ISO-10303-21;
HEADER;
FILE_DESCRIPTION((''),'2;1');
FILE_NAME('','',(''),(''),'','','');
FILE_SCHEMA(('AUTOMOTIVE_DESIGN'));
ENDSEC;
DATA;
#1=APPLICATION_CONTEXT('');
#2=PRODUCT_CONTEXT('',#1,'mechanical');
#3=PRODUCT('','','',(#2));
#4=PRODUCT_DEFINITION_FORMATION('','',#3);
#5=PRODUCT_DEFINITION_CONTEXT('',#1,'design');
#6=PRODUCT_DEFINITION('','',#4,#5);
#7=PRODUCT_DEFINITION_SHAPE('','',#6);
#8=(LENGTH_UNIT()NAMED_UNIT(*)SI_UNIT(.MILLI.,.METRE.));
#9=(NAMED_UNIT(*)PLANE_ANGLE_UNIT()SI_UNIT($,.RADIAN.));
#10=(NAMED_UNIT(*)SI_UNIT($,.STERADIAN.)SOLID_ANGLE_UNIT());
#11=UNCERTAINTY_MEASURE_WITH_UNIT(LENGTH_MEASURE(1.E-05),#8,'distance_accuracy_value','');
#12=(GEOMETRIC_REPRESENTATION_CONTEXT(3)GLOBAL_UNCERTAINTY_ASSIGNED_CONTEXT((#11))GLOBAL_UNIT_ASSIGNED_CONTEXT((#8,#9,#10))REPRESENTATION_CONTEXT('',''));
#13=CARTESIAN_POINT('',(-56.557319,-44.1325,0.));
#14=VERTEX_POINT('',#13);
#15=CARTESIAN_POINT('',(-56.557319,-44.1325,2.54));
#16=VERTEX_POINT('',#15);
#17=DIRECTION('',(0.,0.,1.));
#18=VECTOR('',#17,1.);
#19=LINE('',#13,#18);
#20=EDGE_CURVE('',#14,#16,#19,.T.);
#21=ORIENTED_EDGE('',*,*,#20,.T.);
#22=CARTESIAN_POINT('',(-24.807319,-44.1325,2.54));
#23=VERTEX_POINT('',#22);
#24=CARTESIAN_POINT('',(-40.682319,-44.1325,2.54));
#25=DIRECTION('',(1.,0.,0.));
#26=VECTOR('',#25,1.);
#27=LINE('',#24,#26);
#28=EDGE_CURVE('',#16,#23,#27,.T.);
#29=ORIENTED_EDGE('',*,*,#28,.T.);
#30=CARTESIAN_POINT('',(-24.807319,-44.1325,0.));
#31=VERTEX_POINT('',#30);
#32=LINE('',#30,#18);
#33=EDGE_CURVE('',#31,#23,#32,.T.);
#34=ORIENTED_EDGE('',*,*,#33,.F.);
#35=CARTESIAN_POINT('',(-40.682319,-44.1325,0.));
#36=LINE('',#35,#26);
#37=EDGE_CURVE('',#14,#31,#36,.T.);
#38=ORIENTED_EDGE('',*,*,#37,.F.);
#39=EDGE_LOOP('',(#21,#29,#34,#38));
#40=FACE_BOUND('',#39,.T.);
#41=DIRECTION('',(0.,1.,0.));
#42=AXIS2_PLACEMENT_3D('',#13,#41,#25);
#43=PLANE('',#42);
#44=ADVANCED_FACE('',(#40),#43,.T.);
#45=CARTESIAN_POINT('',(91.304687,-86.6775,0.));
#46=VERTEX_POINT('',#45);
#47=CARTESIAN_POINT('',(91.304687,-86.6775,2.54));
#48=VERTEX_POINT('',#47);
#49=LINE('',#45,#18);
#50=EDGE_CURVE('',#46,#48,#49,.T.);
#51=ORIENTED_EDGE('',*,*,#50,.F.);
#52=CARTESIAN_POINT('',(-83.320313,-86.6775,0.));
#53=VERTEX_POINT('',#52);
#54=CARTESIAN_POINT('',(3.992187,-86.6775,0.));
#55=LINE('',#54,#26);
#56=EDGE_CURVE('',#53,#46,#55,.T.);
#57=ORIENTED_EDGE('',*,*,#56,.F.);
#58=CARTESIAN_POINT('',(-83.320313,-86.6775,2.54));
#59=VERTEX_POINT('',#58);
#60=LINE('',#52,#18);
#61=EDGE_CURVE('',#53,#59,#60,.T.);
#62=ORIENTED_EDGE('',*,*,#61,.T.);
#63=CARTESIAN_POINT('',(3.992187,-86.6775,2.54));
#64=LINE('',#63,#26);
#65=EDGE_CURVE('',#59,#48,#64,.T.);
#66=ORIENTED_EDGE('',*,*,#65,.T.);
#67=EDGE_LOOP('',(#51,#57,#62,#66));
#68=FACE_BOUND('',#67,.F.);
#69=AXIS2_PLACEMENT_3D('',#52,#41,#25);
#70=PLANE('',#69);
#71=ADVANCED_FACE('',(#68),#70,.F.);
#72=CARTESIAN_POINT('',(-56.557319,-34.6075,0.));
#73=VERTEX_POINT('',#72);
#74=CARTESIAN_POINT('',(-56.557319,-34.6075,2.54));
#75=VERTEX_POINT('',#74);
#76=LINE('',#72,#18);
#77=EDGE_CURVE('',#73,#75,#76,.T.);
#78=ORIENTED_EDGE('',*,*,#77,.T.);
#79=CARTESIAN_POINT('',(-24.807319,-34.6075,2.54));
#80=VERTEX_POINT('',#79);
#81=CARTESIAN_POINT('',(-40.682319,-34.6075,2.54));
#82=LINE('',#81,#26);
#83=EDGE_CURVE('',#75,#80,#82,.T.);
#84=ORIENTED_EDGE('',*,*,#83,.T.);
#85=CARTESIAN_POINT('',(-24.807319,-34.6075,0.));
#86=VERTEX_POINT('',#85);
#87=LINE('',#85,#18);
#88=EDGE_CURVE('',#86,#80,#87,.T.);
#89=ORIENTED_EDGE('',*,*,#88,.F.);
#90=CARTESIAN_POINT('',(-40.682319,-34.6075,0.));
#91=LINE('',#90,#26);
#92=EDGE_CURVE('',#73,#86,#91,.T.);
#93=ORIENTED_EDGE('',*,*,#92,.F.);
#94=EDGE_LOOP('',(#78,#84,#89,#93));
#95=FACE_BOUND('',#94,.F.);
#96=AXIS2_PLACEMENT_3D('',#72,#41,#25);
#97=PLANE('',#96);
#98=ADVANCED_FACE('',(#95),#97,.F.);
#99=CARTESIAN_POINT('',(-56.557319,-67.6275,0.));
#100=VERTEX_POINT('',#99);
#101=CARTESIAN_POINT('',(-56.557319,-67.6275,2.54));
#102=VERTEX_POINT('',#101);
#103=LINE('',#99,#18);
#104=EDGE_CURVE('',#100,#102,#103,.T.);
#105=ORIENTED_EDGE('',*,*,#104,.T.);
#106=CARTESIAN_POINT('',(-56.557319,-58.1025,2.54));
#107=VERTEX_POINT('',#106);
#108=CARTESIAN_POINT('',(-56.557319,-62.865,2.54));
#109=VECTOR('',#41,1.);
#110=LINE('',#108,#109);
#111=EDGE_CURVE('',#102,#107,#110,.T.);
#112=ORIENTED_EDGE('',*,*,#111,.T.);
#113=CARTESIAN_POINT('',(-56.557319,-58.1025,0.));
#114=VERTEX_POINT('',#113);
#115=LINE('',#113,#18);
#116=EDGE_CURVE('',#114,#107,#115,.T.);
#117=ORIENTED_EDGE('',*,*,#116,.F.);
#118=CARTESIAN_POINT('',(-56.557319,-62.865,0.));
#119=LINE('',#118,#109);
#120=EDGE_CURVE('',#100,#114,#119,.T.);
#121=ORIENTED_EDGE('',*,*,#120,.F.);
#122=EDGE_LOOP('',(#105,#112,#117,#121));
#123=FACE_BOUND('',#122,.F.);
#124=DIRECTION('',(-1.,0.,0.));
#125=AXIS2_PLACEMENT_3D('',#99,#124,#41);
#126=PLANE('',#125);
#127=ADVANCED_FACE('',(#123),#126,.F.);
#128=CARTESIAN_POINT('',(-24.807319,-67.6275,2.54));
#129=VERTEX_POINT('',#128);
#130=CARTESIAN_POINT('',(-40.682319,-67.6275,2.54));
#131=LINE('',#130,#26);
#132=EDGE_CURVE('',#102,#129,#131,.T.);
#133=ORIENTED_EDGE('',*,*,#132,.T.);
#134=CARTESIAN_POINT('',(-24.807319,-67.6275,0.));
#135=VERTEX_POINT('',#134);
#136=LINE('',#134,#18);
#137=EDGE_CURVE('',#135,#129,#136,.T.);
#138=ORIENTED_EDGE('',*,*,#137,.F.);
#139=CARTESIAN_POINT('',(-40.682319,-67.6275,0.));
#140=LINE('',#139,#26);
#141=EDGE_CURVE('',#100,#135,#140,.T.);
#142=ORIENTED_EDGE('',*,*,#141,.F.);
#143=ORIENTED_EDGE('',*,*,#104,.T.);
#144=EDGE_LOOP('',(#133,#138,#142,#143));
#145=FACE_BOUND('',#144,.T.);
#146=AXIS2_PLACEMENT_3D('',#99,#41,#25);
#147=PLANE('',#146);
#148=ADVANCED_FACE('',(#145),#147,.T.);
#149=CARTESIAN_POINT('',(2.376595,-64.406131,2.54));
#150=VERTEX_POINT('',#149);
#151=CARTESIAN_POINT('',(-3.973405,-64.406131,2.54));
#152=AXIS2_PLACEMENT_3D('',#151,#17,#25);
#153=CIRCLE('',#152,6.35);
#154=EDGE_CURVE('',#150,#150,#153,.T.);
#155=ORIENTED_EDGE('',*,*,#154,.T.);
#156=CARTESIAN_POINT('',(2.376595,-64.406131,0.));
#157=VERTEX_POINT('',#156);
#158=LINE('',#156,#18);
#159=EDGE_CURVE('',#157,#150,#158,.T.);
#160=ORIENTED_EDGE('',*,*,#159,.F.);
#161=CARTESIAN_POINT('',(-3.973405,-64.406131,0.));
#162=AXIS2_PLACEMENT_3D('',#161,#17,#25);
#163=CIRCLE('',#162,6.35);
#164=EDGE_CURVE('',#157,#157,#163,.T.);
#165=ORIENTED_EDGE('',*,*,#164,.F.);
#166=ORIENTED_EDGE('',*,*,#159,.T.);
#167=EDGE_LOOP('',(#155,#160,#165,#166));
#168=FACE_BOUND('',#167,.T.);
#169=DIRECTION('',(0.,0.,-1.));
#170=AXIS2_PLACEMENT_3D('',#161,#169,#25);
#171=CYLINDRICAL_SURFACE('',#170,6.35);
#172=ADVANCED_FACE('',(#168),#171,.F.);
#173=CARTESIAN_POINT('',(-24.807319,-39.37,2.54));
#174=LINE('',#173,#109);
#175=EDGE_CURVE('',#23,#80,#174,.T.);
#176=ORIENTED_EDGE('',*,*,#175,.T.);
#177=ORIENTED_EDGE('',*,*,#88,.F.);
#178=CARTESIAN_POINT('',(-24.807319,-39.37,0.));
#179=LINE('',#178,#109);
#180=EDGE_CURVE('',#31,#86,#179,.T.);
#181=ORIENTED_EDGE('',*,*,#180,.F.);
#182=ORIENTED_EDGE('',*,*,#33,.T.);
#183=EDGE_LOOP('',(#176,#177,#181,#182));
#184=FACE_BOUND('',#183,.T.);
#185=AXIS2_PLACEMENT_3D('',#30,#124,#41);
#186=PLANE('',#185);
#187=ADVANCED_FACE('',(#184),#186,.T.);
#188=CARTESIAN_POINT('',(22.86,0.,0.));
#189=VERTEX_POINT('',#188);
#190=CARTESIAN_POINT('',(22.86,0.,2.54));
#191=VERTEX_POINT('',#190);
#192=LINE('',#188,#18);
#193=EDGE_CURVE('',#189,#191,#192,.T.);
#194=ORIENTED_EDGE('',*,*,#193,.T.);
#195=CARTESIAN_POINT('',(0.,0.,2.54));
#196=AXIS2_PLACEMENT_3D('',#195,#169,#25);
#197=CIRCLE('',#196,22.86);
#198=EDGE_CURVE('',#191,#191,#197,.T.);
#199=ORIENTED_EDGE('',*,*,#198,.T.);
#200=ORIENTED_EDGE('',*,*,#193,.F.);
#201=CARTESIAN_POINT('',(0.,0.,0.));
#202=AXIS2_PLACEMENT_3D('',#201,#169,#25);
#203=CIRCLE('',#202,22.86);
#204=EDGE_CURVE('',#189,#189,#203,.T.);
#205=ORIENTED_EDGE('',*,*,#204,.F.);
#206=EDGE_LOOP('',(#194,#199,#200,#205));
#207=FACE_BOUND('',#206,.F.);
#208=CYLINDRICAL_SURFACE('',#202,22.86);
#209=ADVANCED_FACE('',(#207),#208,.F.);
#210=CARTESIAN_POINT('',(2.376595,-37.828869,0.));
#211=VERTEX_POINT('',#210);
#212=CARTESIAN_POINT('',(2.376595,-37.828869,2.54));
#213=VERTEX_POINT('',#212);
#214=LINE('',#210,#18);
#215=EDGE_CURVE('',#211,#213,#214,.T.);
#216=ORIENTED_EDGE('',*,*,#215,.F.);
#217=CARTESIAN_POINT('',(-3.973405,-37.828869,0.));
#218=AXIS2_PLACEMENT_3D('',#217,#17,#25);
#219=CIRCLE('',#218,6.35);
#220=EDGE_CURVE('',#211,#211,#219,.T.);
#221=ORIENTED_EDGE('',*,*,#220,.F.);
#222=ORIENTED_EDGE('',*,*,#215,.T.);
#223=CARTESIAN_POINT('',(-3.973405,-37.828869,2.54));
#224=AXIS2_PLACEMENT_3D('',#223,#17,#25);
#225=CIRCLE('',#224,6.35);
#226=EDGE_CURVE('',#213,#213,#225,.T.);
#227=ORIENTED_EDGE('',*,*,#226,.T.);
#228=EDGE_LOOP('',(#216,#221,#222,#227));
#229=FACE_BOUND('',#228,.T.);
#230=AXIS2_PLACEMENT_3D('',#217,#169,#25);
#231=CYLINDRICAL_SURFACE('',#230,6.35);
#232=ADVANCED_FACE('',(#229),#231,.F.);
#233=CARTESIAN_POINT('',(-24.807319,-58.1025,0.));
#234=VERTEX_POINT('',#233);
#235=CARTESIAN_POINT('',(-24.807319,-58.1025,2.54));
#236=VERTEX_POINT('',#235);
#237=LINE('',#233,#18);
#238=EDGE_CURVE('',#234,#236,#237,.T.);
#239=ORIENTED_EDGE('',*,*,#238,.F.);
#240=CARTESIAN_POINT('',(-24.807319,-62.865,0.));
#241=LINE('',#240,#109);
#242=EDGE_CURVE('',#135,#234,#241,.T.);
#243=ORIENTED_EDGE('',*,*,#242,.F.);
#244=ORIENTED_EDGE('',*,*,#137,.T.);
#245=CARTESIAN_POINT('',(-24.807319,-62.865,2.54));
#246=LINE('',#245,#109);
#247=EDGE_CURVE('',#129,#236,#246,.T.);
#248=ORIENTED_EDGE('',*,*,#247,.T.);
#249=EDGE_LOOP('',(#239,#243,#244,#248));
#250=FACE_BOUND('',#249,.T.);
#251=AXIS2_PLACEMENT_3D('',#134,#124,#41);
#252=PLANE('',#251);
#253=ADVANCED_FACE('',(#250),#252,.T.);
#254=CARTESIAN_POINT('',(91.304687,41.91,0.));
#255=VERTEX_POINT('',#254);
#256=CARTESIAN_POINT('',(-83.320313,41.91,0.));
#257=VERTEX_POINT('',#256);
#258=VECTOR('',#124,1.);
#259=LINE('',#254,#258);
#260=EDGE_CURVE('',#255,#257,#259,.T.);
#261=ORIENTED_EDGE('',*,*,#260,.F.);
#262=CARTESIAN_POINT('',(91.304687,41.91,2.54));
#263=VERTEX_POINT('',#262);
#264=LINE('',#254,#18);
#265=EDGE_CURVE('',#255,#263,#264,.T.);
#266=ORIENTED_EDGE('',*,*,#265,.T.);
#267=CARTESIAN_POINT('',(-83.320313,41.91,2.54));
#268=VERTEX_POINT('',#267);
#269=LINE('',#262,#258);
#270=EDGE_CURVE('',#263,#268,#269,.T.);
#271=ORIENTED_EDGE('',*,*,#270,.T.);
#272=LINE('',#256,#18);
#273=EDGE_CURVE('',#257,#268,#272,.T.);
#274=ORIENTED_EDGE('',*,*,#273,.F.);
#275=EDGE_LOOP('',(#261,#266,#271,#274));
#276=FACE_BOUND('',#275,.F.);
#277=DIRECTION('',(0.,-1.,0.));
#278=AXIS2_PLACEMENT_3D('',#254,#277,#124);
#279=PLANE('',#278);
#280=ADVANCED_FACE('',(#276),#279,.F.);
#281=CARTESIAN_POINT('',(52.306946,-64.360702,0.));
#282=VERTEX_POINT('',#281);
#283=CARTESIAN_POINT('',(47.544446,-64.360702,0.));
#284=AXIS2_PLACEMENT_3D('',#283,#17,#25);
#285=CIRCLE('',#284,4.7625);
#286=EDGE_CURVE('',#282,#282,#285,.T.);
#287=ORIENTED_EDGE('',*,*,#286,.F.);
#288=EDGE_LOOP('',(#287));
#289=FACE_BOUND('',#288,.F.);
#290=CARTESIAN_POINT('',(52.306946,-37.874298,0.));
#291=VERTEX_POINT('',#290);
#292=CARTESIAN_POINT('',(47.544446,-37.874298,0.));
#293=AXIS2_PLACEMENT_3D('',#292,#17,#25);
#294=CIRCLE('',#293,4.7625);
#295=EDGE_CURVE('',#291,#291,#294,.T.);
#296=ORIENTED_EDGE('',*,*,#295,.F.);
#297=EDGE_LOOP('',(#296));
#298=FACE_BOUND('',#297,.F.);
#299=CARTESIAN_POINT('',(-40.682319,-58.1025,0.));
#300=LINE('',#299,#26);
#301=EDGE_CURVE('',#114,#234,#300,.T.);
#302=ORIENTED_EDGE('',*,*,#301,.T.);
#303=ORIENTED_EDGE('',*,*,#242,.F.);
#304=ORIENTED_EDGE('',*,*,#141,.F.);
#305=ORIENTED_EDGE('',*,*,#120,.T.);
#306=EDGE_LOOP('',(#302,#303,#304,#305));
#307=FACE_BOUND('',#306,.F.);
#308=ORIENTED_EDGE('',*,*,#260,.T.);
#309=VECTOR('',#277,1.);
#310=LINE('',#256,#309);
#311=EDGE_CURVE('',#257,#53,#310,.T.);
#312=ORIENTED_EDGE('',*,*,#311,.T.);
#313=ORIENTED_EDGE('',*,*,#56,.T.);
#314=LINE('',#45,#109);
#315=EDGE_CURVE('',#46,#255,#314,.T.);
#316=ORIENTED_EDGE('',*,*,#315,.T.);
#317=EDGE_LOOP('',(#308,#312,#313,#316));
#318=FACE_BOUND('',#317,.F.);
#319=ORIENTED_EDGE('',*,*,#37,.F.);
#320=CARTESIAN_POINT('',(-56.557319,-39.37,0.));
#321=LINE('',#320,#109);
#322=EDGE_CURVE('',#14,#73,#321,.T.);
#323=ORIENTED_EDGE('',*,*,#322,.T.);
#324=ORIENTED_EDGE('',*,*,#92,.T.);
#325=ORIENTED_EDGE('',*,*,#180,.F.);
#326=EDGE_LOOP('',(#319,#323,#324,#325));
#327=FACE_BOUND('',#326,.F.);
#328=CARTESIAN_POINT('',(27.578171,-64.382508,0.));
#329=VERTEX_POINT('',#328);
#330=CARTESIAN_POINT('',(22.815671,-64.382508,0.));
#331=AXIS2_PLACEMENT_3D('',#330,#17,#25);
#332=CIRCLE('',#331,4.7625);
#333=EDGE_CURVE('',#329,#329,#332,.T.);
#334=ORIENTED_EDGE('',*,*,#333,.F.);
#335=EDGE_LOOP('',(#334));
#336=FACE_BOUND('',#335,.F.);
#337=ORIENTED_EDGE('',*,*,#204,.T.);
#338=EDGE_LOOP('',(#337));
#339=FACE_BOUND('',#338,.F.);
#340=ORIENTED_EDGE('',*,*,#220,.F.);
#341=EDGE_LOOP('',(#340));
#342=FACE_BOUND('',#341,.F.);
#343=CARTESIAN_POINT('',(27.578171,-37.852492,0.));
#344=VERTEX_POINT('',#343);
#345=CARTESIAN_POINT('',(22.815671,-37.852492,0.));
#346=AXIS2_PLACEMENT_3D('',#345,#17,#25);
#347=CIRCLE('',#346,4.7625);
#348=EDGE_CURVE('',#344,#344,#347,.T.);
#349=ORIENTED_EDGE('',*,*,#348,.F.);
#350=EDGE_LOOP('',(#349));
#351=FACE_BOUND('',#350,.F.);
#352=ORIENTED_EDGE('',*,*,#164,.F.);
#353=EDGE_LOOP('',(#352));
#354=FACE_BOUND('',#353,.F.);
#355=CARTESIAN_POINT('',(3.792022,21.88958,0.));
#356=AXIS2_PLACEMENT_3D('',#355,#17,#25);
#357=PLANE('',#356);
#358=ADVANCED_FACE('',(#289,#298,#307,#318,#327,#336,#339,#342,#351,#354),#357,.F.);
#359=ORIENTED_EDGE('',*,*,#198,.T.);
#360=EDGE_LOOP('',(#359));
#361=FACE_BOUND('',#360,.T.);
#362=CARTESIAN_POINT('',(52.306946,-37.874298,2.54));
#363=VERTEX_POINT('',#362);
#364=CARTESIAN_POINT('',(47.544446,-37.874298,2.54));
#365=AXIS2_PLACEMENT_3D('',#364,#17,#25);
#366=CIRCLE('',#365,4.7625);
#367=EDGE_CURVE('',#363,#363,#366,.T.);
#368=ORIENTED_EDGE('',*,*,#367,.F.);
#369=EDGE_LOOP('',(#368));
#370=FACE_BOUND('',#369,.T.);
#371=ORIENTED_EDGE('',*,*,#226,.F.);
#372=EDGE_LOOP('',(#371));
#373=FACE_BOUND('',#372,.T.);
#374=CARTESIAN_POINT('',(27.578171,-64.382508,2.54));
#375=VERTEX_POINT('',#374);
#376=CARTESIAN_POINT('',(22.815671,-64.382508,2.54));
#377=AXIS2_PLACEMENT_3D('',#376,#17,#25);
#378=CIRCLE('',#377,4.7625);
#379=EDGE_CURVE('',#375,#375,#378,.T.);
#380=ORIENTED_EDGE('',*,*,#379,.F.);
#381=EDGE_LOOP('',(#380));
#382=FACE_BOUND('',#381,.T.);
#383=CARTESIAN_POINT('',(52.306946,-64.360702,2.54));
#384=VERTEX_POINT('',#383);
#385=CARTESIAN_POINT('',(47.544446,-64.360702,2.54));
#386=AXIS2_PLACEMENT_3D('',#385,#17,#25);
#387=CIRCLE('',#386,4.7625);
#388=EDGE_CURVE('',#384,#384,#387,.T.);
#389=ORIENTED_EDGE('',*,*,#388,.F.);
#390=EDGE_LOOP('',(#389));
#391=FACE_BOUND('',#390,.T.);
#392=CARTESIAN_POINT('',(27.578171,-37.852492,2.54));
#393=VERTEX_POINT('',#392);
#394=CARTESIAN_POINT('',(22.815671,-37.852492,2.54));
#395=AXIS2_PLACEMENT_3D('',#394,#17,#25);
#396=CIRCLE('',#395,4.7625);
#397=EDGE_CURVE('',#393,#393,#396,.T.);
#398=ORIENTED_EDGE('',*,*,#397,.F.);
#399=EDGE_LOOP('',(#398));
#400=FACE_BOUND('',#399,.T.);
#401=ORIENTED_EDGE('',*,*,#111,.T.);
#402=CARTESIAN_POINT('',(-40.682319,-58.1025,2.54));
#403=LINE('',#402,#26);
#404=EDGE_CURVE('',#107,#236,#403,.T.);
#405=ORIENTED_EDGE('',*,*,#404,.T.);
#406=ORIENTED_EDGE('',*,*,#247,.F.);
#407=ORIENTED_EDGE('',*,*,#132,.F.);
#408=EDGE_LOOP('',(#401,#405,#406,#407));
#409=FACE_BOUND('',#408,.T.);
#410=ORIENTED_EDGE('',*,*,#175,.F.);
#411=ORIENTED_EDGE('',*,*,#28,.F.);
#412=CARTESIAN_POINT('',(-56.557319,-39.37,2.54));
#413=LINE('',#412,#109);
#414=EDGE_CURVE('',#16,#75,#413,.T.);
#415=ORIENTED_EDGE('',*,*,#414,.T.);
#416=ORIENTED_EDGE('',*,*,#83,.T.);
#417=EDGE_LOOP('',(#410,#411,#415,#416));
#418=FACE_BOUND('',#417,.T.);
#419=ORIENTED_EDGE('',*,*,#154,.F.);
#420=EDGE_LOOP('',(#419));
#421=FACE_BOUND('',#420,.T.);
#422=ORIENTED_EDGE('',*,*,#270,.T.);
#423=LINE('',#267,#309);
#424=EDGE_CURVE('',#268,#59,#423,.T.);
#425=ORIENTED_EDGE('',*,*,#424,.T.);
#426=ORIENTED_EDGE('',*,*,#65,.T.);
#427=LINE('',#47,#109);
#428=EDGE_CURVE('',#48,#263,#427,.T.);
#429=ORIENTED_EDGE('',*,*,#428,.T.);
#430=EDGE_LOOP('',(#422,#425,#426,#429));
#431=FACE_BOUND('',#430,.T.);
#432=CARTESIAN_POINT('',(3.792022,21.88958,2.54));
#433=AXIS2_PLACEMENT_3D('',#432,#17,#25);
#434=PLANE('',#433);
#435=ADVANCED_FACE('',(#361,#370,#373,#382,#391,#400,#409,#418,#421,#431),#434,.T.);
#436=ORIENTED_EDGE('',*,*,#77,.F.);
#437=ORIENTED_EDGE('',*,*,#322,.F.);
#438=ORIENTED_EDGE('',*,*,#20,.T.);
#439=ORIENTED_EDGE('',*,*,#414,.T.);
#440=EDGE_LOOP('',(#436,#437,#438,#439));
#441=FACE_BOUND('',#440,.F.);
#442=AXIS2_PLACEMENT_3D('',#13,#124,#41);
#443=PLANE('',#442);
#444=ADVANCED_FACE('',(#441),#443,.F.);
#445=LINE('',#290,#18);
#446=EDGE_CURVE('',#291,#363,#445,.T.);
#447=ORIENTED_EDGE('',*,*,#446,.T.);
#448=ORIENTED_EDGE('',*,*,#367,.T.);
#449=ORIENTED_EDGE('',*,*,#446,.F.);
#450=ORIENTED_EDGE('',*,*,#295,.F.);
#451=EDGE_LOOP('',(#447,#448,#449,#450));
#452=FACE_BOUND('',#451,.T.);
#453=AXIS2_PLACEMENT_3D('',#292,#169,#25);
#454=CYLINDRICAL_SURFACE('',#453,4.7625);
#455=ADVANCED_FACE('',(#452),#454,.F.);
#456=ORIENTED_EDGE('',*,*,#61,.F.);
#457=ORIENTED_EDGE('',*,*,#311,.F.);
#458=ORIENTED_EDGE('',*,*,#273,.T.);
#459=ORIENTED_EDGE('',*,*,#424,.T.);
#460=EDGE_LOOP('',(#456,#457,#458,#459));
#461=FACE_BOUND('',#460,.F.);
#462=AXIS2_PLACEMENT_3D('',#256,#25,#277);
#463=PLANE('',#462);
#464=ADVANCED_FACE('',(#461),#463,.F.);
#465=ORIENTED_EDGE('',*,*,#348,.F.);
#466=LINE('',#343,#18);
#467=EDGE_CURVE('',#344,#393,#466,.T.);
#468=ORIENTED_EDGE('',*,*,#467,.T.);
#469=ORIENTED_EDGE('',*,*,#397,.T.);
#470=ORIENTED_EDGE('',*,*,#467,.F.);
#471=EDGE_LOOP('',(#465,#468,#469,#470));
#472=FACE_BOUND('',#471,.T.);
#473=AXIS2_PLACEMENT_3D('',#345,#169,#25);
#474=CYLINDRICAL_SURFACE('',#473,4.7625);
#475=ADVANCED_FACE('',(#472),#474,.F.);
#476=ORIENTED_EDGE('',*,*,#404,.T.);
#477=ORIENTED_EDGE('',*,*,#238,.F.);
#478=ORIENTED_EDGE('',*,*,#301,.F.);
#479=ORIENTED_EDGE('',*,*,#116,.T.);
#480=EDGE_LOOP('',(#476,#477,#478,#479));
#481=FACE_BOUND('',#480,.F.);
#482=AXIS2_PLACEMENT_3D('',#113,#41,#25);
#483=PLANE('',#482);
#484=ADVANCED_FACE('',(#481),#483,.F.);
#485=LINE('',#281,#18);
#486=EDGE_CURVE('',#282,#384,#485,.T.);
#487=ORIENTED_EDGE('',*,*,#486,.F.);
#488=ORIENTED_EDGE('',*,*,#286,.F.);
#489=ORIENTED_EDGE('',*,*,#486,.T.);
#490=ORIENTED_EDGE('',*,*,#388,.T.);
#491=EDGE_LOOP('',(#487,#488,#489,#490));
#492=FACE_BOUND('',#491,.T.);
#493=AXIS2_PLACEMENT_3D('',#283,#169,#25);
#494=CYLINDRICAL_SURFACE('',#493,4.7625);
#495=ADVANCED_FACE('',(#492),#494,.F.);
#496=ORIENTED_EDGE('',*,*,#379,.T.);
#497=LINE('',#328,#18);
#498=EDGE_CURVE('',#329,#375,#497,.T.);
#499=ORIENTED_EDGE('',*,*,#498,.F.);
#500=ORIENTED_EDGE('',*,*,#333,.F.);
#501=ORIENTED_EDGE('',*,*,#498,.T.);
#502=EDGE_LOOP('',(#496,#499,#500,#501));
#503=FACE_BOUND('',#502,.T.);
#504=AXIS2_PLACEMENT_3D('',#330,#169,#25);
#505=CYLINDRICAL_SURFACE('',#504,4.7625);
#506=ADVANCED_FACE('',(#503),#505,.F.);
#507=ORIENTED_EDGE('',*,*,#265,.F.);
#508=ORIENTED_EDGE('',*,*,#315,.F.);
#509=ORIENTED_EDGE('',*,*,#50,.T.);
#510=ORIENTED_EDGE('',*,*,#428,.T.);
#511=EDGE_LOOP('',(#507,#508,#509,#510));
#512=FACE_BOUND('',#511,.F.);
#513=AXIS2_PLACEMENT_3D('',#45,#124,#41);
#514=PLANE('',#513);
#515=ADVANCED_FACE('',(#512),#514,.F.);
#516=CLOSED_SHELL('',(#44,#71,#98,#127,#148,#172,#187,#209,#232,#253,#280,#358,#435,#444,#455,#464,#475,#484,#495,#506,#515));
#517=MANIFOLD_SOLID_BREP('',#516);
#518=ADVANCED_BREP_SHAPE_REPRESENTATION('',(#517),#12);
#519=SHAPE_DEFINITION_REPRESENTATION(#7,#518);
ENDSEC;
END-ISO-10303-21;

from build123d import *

# Parameters (mm, degrees)
F0_W     = 31.75
F0_H     = 9.525
F0_R     = 6.35
F0_R_2   = 4.7625
F0_W_2   = 174.625
F0_H_2   = 35.56
F1_DEPTH = 2.54


with BuildPart() as f1:
    # F0 (on Top) → F1 (new body)
    with BuildSketch(Plane.XY):
        with BuildLine():
            Line((91.304687, 41.91), (-83.320313, 41.91))
            Line((-83.320313, 41.91), (-83.320313, 0))
            Line((-83.320313, 0), (-22.86, 0))
            ThreePointArc((-22.86, 0), (0, 22.86), (22.86, 0))
            Line((22.86, 0), (91.304687, 0))
            Line((91.304687, 0), (91.304687, 41.91))
        make_face()
        with BuildLine():
            Line((-22.86, 0), (-83.320313, 0))
            Line((-83.320313, 0), (-83.320313, -51.1175))
            Line((-83.320313, -51.1175), (91.304687, -51.1175))
            Line((91.304687, -51.1175), (91.304687, 0))
            Line((91.304687, 0), (22.86, 0))
            ThreePointArc((22.86, 0), (0, -22.86), (-22.86, 0))
        make_face()
        with Locations((-40.682319, -39.37)):
            Rectangle(F0_W, F0_H, mode=Mode.SUBTRACT)
        with Locations((-3.973405, -37.828869)):
            Circle(F0_R, mode=Mode.SUBTRACT)
        with Locations((22.815671, -37.852492)):
            Circle(F0_R_2, mode=Mode.SUBTRACT)
        with Locations((47.544446, -37.874298)):
            Circle(F0_R_2, mode=Mode.SUBTRACT)
        with Locations((3.992187, -68.8975)):
            Rectangle(F0_W_2, F0_H_2)
        with Locations((-40.682319, -62.865)):
            Rectangle(F0_W, F0_H, mode=Mode.SUBTRACT)
        with Locations((-3.973405, -64.406131)):
            Circle(F0_R, mode=Mode.SUBTRACT)
        with Locations((22.815671, -64.382508)):
            Circle(F0_R_2, mode=Mode.SUBTRACT)
        with Locations((47.544446, -64.360702)):
            Circle(F0_R_2, mode=Mode.SUBTRACT)
    extrude(amount=F1_DEPTH)


solid = f1.part
